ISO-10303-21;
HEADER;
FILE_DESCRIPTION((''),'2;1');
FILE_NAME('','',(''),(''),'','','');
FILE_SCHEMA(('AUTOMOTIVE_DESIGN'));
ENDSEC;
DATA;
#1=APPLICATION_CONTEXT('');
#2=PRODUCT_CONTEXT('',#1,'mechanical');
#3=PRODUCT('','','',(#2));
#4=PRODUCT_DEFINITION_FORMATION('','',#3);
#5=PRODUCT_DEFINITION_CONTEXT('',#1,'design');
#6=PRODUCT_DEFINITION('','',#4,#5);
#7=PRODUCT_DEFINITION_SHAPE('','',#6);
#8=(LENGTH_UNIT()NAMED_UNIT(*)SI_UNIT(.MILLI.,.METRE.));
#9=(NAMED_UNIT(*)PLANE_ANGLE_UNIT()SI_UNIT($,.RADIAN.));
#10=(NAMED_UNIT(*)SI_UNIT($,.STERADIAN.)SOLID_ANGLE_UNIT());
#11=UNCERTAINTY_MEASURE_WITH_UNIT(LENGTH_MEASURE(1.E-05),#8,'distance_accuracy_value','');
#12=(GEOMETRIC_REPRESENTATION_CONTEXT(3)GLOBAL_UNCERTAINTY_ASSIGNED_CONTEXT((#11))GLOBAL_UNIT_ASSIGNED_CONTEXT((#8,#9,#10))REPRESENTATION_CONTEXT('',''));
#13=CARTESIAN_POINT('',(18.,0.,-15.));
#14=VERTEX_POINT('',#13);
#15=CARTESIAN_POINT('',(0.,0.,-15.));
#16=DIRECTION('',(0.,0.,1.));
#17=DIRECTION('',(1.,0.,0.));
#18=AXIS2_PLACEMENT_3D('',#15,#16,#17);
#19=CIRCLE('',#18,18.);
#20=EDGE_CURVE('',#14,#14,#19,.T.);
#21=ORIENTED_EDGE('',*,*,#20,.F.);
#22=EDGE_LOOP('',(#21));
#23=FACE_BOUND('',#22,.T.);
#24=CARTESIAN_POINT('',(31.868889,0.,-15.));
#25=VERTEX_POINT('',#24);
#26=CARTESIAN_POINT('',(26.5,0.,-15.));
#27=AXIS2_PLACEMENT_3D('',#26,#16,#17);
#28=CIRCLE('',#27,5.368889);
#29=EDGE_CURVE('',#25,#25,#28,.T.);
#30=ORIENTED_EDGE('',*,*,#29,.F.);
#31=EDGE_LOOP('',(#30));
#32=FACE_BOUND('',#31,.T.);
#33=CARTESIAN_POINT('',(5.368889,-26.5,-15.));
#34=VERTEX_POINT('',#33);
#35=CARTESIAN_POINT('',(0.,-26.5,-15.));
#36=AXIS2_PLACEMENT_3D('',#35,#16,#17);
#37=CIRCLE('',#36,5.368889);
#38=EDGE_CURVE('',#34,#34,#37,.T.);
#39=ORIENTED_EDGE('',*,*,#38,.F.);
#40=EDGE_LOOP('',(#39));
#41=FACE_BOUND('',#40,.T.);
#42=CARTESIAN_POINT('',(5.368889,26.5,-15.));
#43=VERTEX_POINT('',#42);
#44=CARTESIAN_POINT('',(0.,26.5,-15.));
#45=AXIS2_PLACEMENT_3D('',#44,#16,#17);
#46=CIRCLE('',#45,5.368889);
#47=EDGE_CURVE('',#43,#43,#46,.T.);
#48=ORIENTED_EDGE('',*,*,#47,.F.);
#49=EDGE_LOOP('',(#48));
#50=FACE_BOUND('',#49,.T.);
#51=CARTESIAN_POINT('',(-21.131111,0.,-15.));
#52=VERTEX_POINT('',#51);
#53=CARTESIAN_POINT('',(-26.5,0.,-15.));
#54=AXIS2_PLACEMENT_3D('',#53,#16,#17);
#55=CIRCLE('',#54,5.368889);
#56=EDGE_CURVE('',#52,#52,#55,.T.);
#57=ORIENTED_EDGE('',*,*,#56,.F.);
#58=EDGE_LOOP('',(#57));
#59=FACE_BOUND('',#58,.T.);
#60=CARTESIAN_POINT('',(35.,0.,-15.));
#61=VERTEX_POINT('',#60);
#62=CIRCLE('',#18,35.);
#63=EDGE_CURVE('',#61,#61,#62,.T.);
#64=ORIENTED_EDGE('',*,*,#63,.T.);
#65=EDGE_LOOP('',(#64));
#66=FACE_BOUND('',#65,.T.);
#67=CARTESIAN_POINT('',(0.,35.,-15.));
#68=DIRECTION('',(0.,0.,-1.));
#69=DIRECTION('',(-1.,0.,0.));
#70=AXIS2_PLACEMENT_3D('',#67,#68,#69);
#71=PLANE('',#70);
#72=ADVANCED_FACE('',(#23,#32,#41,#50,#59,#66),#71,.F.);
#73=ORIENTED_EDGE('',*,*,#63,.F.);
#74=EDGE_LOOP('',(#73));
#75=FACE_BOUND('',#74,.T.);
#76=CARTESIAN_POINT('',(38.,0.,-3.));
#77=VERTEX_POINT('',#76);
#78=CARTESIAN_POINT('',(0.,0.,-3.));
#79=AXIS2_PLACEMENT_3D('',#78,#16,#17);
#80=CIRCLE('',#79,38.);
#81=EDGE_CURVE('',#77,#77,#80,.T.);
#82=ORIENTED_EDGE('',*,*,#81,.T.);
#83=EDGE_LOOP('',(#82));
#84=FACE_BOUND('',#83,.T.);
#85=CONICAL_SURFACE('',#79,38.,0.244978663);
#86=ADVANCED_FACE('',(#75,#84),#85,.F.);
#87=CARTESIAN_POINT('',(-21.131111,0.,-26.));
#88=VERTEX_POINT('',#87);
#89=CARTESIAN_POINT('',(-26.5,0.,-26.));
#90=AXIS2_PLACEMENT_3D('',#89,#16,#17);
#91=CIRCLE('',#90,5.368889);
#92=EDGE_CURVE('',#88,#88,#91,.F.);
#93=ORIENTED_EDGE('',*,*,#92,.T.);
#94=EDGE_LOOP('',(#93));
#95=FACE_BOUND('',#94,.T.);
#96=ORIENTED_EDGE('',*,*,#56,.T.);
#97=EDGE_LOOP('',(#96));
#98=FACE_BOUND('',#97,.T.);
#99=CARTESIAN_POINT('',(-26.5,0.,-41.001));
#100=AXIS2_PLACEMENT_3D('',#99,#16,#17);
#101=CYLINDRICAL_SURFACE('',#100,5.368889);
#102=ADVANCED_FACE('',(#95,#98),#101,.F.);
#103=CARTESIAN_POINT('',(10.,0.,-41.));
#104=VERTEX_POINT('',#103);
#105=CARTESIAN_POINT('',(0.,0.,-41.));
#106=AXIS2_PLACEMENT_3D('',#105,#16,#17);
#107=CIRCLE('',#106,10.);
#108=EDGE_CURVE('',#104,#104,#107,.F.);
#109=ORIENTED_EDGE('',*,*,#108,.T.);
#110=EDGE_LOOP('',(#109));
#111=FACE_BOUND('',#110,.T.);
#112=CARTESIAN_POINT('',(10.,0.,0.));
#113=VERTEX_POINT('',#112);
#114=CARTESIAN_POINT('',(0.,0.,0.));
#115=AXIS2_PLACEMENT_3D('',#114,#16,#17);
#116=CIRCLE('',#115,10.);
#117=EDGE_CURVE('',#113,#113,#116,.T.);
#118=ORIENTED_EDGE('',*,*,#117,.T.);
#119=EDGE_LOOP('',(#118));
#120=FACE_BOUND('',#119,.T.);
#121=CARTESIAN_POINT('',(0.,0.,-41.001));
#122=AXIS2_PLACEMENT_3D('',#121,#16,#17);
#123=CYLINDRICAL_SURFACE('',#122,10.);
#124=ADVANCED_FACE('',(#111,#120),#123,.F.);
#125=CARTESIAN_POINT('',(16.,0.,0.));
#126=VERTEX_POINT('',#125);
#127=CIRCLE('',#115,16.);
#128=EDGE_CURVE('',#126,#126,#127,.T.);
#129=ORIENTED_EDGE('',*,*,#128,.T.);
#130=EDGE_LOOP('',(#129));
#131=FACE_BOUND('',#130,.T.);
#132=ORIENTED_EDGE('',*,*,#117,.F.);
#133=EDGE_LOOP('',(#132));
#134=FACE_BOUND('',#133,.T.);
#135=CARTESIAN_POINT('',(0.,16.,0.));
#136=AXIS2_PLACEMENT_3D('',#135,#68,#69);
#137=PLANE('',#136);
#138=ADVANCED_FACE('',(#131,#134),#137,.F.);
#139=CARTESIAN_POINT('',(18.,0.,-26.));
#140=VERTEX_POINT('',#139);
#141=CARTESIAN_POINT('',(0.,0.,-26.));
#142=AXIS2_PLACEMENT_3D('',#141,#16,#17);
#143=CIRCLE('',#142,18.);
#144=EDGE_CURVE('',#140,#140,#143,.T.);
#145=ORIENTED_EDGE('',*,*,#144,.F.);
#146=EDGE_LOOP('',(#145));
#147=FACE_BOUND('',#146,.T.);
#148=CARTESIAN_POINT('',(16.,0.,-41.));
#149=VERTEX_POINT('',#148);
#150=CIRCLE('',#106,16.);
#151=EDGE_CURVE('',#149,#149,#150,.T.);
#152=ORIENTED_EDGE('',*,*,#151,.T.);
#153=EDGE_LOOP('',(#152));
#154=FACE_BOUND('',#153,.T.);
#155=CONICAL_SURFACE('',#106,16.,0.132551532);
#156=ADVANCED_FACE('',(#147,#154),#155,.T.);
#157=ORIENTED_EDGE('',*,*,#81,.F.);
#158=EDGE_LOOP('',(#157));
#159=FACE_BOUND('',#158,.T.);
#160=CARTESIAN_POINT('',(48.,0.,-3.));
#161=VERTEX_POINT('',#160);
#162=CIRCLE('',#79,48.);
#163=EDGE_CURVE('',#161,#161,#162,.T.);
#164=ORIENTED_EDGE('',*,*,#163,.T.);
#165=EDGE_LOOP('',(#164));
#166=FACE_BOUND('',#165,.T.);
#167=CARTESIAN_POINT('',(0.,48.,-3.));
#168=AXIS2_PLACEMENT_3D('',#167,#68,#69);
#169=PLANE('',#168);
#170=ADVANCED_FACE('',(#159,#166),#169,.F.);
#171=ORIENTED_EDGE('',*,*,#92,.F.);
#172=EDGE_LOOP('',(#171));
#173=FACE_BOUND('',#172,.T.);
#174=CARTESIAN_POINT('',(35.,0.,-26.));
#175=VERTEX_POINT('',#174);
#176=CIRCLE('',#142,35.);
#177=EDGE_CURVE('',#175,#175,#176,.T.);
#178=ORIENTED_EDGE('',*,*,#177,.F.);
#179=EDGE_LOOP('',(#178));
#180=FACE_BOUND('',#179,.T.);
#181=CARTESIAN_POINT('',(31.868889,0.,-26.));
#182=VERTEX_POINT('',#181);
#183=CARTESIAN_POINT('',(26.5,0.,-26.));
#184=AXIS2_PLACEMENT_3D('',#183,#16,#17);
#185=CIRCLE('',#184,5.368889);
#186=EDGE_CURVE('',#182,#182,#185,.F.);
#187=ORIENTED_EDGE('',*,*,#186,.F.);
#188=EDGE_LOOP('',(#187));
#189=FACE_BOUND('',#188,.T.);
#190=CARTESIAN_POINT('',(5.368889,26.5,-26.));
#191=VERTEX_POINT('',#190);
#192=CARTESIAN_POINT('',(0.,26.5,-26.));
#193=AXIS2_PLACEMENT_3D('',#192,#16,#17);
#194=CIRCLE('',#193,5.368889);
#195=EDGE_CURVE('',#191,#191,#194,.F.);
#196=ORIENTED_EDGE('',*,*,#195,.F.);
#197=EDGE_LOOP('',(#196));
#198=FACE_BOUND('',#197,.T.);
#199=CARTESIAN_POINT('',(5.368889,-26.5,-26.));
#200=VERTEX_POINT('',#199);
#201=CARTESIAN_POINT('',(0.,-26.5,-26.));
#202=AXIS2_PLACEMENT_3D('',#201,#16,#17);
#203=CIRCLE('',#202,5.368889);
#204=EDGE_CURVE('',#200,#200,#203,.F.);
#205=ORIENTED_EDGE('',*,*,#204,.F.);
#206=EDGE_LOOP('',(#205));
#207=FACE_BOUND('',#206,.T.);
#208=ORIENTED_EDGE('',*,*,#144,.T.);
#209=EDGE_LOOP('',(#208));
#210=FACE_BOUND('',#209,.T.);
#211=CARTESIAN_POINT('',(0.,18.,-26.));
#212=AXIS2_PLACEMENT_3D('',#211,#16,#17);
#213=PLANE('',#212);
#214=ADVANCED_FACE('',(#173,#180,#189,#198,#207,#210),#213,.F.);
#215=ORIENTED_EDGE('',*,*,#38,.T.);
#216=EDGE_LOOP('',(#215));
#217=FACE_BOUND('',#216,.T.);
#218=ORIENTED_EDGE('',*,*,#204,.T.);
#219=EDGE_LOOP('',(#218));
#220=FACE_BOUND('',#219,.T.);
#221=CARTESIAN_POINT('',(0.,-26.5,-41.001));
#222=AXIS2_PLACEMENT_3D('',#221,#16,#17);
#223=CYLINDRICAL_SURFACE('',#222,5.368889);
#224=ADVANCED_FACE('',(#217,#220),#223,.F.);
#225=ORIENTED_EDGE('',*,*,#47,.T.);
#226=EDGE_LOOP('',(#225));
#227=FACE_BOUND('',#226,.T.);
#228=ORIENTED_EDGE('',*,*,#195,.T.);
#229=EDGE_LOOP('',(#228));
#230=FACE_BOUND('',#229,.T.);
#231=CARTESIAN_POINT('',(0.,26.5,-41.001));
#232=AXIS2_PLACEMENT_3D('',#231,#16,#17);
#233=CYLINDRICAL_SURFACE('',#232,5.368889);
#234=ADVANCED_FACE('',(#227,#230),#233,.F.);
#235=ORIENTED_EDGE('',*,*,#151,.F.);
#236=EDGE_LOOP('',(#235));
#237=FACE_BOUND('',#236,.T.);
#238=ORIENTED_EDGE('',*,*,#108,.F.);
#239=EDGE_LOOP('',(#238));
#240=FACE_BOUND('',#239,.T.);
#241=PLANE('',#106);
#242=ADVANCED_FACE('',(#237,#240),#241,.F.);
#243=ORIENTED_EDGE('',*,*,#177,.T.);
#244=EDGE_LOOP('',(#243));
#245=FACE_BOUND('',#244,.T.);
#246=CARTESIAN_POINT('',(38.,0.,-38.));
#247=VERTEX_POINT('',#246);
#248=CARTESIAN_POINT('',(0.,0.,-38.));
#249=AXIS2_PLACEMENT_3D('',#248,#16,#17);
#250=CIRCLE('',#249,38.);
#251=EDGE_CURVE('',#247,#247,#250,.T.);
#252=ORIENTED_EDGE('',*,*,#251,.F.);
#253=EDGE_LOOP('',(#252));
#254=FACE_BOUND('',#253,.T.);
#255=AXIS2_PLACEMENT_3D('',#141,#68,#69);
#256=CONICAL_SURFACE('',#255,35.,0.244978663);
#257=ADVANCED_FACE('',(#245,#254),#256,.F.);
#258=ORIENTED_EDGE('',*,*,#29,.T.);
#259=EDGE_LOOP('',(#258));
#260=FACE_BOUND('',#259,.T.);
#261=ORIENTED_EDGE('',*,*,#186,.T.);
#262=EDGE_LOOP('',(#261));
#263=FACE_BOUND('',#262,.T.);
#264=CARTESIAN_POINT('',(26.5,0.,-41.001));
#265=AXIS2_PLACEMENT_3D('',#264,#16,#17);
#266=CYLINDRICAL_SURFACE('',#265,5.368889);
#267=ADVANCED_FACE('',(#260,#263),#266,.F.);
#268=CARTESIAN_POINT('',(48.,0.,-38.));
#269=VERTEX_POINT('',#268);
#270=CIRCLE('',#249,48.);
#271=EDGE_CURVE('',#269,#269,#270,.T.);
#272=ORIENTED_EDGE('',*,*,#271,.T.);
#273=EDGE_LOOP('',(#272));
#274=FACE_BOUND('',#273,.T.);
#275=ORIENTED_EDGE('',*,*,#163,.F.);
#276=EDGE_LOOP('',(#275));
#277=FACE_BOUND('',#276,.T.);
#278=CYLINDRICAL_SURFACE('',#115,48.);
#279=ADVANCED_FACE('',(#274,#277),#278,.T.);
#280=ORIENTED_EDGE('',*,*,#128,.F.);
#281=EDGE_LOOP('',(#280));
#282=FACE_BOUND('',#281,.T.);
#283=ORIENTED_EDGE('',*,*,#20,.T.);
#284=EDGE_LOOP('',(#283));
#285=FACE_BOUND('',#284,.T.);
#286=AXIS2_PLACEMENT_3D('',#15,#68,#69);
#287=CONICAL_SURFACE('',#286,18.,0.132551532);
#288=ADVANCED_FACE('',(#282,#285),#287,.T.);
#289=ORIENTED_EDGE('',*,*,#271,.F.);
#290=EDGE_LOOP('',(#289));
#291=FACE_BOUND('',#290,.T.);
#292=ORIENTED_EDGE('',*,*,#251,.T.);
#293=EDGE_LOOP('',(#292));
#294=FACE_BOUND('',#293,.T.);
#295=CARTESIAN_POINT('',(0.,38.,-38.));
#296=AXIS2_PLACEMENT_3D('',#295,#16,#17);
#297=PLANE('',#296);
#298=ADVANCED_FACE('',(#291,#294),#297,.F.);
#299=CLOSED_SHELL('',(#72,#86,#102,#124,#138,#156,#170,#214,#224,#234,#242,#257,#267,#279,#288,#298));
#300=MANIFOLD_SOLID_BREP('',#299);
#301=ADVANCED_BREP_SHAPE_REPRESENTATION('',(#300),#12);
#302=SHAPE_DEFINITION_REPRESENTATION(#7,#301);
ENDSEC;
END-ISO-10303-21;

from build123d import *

# Parameters (mm, degrees)
CUT_EXTRUDE1_REACH = 43
SKETCH2_R          = 10
CUT_EXTRUDE2_REACH = 28
SKETCH3_R          = 5.368889336
SKETCH3_4_R        = 5.368889336
CUT_EXTRUDE3_DEPTH = 11


with BuildPart() as part:
    # Sketch1 → Revolve1 (revolve)
    with BuildSketch(Plane(origin=(0, 0, 0), x_dir=(0, 0, -1), z_dir=(1, 0, 0))):
        Polygon((0, 0), (41, 0), (41, 16), (26, 18), (26, 35), (38, 38), (38, 48), (3, 48), (3, 38), (15, 35), (15, 18), (0, 16), align=None)
    revolve(axis=Axis((0, 0, 0), (0, 0, -1)))

    # Sketch2 → Cut-Extrude1 (cut, up to next)
    with BuildSketch(Plane.XY, mode=Mode.PRIVATE) as cut_extrude1_sk1:
        Circle(SKETCH2_R)
    cut_extrude1_tool1 = extrude(cut_extrude1_sk1.sketch, amount=-CUT_EXTRUDE1_REACH, mode=Mode.PRIVATE) & part.part
    add(cut_extrude1_tool1.solids().sort_by_distance((0, 0, 0))[0], mode=Mode.SUBTRACT)

    # Sketch3 → Cut-Extrude2 (cut, up to next)
    with BuildSketch(Plane.XY.offset(-15), mode=Mode.PRIVATE) as cut_extrude2_sk1:
        with Locations((0, 26.5)):
            Circle(SKETCH3_R)
    cut_extrude2_tool1 = extrude(cut_extrude2_sk1.sketch, amount=-CUT_EXTRUDE2_REACH, mode=Mode.PRIVATE) & part.part
    add(cut_extrude2_tool1.solids().sort_by_distance((0, 26.5, -15))[0], mode=Mode.SUBTRACT)

    # Sketch3<4> → Cut-Extrude3 (cut)
    with BuildSketch(Plane.XY.offset(-15)):
        with Locations((0, 26.5)):
            Circle(SKETCH3_4_R)
        with Locations((26.5, 0)):
            Circle(SKETCH3_4_R)
        with Locations((0, -26.5)):
            Circle(SKETCH3_4_R)
        with Locations((-26.5, 0)):
            Circle(SKETCH3_4_R)
    extrude(amount=-CUT_EXTRUDE3_DEPTH, mode=Mode.SUBTRACT)


solid = part.part
